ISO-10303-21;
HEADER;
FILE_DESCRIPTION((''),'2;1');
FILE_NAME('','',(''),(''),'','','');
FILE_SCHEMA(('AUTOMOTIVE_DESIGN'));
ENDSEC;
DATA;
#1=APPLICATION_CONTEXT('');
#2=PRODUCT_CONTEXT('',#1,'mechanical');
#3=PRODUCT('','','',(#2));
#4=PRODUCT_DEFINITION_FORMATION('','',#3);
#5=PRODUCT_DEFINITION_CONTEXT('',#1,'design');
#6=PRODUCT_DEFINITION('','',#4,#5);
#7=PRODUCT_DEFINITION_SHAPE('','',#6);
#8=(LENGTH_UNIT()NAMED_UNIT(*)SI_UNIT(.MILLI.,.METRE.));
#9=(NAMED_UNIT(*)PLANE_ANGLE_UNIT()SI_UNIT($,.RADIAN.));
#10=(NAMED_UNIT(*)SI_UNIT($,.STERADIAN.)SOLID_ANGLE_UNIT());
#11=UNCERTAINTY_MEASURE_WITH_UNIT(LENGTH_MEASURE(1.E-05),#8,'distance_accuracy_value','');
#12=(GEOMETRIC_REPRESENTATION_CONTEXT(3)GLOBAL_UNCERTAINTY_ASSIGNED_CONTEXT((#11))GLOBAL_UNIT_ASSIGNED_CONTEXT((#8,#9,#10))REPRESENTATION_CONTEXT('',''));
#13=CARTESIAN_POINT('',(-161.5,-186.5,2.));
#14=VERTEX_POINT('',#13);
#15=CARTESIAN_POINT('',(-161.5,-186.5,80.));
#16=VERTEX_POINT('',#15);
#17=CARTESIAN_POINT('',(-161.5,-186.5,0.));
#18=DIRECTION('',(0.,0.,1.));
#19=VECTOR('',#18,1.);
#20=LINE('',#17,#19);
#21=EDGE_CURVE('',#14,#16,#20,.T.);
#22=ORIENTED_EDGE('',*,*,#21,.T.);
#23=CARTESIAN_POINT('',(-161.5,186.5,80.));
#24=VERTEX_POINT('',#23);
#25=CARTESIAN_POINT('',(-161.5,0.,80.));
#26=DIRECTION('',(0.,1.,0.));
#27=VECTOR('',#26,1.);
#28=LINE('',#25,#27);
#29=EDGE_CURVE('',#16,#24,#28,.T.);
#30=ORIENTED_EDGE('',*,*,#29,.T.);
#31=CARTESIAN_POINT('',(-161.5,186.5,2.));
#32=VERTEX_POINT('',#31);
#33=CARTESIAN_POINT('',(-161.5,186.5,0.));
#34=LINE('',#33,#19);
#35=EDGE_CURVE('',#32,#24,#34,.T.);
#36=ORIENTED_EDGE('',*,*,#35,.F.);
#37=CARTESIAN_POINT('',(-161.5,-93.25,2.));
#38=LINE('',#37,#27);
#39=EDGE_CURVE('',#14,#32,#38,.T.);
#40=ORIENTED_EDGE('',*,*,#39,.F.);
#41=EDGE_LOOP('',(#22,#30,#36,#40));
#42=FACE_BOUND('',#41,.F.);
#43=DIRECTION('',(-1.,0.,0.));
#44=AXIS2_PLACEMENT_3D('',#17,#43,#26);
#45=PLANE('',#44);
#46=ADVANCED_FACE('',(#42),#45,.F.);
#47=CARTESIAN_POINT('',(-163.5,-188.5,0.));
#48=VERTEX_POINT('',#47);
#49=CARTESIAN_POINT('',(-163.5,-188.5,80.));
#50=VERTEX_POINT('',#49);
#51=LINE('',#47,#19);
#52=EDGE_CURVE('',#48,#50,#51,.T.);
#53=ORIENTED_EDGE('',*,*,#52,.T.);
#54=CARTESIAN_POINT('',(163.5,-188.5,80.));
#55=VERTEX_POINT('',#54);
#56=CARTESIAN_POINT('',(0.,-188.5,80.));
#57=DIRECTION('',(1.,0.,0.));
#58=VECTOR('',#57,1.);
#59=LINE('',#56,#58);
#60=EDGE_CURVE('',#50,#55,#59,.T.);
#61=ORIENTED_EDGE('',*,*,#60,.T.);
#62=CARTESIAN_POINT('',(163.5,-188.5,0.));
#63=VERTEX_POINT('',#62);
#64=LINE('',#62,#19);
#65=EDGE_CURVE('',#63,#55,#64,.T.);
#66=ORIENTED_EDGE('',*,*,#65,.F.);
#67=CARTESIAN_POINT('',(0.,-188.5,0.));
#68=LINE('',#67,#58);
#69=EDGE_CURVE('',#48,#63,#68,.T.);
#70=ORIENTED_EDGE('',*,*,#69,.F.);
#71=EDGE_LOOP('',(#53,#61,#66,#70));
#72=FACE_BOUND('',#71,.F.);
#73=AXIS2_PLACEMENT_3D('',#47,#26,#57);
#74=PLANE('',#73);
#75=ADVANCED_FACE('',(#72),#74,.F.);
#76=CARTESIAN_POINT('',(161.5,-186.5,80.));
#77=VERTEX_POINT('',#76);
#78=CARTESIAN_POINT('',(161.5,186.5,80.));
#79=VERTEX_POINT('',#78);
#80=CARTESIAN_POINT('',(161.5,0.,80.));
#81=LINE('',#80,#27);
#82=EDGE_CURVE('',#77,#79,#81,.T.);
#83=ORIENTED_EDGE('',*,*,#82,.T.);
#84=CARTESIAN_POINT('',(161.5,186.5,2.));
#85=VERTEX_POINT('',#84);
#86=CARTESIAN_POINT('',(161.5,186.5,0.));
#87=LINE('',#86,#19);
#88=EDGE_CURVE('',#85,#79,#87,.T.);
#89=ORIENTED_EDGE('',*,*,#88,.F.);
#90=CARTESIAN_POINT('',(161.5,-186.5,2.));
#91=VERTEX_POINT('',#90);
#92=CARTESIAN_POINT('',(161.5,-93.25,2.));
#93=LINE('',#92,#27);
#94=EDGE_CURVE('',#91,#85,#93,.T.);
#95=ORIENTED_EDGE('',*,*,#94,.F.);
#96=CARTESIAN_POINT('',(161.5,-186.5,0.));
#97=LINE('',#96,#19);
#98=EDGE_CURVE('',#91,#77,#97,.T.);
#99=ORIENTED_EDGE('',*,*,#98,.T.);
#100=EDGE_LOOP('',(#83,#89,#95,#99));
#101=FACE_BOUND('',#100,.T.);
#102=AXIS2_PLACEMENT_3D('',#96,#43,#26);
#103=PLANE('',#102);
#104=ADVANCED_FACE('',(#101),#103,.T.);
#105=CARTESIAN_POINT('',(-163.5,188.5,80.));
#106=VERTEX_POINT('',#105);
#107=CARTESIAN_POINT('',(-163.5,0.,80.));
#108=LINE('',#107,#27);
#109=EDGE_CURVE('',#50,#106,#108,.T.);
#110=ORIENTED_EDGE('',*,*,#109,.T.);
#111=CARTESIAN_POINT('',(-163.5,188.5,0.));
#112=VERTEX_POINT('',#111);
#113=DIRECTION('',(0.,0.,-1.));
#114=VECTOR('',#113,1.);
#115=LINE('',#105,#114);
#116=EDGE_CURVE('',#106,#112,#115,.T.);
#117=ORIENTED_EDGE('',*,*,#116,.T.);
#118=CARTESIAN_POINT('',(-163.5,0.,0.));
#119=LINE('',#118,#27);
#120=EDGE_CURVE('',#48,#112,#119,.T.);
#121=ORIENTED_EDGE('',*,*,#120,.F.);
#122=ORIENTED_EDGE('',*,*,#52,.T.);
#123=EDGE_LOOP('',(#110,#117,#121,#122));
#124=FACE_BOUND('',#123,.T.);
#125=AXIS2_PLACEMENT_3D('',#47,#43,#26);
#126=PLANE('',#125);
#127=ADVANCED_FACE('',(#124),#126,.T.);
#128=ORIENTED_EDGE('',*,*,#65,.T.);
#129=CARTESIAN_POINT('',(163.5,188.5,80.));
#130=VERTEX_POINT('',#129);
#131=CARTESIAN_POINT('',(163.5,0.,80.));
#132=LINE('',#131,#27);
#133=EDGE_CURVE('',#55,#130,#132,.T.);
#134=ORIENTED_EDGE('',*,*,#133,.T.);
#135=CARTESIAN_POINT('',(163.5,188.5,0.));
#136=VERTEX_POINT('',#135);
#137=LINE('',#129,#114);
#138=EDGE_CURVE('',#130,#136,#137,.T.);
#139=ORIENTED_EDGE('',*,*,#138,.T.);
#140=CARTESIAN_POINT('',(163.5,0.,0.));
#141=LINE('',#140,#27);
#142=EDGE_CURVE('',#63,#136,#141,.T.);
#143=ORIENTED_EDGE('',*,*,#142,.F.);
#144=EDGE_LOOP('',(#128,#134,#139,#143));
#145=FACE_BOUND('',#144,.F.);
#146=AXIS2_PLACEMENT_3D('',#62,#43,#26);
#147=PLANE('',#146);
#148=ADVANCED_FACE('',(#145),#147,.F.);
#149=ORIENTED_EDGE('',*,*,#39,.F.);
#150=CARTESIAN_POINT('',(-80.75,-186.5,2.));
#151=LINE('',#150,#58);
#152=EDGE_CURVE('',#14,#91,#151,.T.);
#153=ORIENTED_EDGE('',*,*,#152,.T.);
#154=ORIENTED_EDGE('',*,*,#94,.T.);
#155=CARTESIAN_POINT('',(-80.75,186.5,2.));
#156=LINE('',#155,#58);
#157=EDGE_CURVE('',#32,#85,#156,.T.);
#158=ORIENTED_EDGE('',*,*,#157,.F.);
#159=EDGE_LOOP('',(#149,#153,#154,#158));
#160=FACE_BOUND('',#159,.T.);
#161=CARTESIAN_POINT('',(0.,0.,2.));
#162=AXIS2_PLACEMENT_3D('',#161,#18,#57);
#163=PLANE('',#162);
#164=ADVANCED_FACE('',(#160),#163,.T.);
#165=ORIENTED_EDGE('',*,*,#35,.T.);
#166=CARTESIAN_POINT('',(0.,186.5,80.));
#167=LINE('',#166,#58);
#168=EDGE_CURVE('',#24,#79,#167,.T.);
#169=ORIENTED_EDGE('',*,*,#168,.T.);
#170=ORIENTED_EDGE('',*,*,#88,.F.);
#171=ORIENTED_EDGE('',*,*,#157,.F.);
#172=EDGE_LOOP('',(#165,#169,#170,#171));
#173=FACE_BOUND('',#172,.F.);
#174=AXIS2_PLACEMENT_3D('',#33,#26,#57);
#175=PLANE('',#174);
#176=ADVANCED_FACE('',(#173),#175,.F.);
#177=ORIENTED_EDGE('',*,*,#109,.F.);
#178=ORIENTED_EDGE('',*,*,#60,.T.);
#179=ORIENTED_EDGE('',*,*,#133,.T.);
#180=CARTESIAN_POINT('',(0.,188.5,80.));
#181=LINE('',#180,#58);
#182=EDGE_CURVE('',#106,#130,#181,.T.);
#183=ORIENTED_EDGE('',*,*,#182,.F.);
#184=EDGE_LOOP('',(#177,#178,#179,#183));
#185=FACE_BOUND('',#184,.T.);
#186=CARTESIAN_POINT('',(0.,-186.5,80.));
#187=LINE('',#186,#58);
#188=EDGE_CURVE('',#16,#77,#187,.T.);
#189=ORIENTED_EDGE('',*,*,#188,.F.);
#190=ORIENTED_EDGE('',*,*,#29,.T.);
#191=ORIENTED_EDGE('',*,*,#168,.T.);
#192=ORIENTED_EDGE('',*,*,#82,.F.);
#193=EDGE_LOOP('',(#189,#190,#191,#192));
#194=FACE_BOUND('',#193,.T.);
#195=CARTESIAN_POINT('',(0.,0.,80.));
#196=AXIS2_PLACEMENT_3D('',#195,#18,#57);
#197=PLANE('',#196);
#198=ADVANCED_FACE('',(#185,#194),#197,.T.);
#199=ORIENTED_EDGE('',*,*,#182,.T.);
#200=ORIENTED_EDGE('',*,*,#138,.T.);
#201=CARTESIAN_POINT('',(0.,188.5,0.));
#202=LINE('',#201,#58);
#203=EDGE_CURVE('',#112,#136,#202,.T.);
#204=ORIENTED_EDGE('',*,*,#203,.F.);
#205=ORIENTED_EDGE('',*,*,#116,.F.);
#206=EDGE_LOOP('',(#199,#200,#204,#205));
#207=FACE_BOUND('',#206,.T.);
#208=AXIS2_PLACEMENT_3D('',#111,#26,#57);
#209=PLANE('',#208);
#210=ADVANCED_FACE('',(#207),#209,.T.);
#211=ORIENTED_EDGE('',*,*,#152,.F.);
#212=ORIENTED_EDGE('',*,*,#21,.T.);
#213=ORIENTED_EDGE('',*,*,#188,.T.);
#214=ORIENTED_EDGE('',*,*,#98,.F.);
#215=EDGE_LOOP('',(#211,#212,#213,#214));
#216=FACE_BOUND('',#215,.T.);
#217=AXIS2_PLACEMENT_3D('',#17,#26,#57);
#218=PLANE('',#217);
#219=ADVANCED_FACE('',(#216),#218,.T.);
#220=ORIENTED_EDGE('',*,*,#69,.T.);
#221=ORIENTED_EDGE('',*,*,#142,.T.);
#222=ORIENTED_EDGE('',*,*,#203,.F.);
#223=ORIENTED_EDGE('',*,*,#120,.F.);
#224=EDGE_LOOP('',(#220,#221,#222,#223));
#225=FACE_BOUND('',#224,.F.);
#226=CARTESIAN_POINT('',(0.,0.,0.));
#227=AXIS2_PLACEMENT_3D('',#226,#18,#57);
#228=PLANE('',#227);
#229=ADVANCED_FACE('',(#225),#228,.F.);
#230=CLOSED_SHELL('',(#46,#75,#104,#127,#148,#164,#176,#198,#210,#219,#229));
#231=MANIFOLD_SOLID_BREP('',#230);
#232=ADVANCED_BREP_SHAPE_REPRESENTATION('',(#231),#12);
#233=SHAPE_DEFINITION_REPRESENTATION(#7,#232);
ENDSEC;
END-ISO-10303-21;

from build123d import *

# Parameters (mm, degrees)
F1_W     = 327
F1_H     = 377
F1_W_2   = 323
F1_H_2   = 373
F2_DEPTH = 80
F3_DEPTH = 2


with BuildPart() as f2:
    # F1 (on Top) → F2 (new body)
    with BuildSketch(Plane.XY):
        Rectangle(F1_W, F1_H)
        Rectangle(F1_W_2, F1_H_2, mode=Mode.SUBTRACT)
    extrude(amount=F2_DEPTH)

    # F1 (on Top) → F3 (join)
    with BuildSketch(Plane.XY):
        Rectangle(F1_W, F1_H)
        Rectangle(F1_W_2, F1_H_2, mode=Mode.SUBTRACT)
        Rectangle(F1_W_2, F1_H_2)
    extrude(amount=F3_DEPTH)


solid = f2.part
